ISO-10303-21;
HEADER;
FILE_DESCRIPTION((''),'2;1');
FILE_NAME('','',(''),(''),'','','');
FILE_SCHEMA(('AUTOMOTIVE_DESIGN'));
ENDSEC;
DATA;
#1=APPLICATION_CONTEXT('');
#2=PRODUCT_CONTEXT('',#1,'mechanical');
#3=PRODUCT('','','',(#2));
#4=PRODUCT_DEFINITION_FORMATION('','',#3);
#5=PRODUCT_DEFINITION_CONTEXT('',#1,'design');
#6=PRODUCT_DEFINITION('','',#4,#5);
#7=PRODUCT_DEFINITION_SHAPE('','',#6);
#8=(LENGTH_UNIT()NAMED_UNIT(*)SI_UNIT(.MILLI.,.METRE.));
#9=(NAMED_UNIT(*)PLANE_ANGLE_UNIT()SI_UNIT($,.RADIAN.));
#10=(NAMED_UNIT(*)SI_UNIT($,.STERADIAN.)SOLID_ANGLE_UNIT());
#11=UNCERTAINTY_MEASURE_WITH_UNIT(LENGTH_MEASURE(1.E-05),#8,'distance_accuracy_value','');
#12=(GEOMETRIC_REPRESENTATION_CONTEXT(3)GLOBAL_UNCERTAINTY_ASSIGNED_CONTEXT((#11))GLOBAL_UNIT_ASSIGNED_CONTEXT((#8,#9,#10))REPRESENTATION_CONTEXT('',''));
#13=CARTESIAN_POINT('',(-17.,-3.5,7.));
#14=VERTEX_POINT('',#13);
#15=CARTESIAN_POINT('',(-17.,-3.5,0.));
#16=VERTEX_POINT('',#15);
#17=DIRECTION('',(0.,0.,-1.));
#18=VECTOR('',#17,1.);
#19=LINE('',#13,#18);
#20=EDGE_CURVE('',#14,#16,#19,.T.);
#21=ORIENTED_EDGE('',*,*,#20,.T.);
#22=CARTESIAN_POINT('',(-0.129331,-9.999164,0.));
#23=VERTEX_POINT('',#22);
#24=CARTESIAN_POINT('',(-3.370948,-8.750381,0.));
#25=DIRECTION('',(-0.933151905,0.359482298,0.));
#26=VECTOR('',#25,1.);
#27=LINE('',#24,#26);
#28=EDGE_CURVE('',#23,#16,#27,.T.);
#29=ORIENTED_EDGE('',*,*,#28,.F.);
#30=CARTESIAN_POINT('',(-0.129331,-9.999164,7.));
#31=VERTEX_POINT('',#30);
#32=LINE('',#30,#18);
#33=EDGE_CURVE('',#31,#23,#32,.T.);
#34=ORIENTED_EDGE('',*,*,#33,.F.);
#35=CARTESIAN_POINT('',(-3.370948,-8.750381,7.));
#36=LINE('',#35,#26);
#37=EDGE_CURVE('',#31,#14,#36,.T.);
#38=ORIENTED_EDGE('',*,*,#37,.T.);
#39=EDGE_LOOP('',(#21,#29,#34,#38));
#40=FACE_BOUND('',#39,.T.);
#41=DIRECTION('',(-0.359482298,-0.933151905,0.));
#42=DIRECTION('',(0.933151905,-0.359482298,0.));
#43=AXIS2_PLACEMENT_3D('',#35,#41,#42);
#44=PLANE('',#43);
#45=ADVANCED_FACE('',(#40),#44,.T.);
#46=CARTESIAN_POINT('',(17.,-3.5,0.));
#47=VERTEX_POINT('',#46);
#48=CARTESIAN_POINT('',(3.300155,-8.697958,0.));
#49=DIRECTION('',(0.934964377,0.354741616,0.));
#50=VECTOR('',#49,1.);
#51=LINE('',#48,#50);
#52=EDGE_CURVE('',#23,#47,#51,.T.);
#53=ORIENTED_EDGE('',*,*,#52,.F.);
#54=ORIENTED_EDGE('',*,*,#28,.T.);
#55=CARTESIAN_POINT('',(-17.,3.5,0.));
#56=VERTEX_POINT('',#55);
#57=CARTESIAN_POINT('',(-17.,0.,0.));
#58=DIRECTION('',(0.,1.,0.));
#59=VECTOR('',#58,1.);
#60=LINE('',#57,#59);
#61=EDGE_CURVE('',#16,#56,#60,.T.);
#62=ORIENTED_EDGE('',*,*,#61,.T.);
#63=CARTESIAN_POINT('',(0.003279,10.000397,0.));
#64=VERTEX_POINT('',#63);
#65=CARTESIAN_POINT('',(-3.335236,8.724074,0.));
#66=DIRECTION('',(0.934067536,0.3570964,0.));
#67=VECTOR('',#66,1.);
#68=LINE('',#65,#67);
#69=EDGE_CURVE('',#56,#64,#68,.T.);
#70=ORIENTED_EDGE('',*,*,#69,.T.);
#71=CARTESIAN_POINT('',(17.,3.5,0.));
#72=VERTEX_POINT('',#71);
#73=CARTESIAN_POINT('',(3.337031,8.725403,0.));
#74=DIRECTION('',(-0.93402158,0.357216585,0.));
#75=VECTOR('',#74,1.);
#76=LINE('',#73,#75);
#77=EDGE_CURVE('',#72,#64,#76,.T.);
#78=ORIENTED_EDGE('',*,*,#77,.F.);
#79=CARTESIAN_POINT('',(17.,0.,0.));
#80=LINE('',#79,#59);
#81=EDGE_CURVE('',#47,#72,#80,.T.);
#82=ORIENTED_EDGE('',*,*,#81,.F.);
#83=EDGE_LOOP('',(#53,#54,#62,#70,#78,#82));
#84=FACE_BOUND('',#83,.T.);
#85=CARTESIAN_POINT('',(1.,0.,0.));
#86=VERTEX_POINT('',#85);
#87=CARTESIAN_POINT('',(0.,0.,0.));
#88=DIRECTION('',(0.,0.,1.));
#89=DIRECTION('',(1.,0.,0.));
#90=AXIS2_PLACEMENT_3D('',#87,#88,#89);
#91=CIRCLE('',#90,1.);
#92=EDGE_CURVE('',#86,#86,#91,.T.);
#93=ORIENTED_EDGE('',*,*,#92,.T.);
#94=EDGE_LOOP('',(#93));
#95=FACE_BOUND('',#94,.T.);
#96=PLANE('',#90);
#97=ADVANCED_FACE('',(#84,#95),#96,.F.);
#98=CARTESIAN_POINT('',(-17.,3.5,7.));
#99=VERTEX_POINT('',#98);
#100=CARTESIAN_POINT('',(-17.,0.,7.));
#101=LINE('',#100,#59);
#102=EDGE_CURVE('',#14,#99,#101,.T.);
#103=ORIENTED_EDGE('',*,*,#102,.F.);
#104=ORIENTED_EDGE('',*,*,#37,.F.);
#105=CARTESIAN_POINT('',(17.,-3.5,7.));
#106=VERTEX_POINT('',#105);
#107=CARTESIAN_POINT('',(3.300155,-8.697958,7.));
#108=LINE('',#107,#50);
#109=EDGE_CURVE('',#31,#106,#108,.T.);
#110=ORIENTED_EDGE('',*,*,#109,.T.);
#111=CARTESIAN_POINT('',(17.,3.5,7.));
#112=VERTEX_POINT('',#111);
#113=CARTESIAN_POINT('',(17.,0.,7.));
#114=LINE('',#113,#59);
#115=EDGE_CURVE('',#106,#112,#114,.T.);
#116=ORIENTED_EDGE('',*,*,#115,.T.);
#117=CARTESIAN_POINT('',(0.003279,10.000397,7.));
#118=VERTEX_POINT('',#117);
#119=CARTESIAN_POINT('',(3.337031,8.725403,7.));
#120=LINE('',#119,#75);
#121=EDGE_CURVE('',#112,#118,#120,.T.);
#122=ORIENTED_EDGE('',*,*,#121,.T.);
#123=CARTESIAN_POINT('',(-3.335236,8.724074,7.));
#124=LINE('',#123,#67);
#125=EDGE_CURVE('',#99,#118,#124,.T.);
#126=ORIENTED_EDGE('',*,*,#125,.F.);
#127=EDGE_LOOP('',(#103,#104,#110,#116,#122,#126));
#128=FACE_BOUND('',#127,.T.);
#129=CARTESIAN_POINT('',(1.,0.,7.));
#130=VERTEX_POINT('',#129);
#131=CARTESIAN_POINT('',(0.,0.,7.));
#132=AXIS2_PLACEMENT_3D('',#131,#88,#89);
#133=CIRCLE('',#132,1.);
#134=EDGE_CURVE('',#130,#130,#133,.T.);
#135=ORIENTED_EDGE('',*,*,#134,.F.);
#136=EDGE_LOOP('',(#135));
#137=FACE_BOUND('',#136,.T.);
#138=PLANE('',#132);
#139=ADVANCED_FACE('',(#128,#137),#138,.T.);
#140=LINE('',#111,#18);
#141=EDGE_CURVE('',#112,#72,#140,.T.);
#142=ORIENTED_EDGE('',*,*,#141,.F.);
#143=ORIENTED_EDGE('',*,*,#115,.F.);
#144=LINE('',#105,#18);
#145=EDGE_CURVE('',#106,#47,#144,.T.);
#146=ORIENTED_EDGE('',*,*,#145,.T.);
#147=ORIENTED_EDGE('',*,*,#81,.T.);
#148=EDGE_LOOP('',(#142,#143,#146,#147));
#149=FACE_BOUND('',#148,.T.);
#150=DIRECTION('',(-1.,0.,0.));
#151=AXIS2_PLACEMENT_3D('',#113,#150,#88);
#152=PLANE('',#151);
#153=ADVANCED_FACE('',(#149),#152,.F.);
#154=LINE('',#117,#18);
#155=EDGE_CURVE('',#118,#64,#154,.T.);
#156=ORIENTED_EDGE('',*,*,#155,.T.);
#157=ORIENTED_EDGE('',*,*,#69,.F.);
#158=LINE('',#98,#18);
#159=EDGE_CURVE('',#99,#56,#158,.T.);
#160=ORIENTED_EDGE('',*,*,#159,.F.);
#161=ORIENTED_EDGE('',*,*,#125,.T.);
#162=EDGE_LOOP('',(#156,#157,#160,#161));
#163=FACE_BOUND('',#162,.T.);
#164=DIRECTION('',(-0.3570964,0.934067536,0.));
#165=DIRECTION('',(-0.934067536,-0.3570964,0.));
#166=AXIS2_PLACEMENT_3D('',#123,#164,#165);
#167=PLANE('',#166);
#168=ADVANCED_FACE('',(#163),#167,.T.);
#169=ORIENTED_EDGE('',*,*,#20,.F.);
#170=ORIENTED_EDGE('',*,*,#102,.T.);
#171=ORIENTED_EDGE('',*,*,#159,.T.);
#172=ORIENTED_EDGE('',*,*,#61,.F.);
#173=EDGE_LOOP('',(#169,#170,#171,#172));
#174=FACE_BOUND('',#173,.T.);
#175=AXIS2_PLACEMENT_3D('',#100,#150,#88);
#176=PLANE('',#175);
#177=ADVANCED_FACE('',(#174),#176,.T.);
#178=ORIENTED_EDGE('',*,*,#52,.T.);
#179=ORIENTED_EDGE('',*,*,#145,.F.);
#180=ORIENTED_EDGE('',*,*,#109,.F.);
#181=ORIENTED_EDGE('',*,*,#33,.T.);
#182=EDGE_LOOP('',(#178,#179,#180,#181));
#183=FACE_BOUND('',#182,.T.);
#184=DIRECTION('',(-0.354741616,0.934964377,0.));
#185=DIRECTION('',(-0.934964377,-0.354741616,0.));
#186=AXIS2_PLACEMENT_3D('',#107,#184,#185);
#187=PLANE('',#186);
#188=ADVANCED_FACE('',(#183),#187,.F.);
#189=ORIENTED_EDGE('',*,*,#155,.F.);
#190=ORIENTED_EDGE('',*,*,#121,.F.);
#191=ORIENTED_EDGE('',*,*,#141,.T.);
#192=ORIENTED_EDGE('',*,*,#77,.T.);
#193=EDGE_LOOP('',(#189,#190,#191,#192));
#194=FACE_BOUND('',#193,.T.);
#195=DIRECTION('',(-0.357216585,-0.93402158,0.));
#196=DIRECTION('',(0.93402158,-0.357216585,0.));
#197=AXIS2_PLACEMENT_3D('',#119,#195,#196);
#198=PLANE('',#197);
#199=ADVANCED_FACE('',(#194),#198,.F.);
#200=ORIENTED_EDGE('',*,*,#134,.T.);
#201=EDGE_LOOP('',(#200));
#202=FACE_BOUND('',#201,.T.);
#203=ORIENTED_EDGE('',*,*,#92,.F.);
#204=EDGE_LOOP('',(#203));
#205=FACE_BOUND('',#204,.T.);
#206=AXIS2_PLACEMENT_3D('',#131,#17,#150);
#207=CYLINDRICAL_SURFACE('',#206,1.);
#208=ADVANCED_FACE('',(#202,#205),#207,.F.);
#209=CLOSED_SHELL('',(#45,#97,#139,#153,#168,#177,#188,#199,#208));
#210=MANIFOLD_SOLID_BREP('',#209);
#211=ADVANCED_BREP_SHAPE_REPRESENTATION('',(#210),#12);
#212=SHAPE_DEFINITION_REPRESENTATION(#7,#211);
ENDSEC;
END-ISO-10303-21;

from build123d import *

# Parameters (mm, degrees)
SKIZZE1_R                       = 1
AUFSATZ_LINEAR_AUSTRAGEN1_DEPTH = 7


with BuildPart() as part:
    # Skizze1 → Aufsatz-Linear austragen1 (new body)
    with BuildSketch(Plane.XY):
        Polygon((-0.129330788, -9.999163642), (-17, -3.5), (-17, 3.5), (0.003278501, 10.000396722), (17, 3.5), (17, -3.5), align=None)
        Circle(SKIZZE1_R, mode=Mode.SUBTRACT)
    extrude(amount=AUFSATZ_LINEAR_AUSTRAGEN1_DEPTH)


solid = part.part
